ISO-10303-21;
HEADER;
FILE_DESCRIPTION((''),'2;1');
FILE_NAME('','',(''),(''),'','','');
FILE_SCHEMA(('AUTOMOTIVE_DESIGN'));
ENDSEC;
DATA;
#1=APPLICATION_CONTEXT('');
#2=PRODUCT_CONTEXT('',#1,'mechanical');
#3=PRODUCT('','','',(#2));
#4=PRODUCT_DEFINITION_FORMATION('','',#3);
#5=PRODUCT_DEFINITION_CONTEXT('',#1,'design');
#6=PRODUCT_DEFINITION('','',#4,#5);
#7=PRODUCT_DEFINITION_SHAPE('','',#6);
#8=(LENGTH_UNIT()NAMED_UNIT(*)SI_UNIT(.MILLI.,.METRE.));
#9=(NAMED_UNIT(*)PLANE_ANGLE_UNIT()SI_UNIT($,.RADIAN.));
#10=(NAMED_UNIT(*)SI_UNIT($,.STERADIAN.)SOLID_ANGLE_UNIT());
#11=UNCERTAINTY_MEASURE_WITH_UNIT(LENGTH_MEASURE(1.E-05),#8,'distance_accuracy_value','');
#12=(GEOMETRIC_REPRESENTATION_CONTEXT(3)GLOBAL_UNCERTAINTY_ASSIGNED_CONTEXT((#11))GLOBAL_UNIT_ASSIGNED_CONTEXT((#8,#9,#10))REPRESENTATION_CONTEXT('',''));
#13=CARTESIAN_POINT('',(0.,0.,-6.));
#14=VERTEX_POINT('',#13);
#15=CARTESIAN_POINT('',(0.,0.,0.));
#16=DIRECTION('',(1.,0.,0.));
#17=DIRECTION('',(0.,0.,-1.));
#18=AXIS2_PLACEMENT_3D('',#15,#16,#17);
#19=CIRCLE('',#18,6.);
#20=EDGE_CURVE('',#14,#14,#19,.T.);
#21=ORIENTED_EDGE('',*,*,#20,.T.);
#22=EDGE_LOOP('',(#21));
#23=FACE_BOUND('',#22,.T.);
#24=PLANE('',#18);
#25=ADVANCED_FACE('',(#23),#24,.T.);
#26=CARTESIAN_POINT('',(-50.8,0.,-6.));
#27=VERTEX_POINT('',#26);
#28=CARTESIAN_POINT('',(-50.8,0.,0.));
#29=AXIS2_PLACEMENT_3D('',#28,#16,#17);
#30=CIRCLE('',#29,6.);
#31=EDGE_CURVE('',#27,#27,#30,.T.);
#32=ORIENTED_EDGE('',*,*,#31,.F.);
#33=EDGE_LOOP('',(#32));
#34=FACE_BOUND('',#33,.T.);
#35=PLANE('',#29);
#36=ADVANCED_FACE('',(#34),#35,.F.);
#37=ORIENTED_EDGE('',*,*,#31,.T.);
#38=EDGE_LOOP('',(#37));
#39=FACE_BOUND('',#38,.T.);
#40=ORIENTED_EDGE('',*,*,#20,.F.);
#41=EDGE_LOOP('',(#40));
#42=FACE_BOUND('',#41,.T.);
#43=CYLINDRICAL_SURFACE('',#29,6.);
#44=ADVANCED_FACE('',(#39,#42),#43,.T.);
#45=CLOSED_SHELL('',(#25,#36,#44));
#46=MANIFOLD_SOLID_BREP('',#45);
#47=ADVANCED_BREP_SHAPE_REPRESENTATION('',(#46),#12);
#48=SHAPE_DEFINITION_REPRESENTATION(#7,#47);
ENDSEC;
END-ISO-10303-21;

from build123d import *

# Parameters (mm, degrees)
SKETCH1_R           = 6
BOSS_EXTRUDE1_DEPTH = 50.8


with BuildPart() as part:
    # Sketch1 → Boss-Extrude1 (new body)
    with BuildSketch(Plane(origin=(0, 0, 0), x_dir=(0, 0, -1), z_dir=(1, 0, 0))):
        Circle(SKETCH1_R)
    extrude(amount=-BOSS_EXTRUDE1_DEPTH)


solid = part.part
